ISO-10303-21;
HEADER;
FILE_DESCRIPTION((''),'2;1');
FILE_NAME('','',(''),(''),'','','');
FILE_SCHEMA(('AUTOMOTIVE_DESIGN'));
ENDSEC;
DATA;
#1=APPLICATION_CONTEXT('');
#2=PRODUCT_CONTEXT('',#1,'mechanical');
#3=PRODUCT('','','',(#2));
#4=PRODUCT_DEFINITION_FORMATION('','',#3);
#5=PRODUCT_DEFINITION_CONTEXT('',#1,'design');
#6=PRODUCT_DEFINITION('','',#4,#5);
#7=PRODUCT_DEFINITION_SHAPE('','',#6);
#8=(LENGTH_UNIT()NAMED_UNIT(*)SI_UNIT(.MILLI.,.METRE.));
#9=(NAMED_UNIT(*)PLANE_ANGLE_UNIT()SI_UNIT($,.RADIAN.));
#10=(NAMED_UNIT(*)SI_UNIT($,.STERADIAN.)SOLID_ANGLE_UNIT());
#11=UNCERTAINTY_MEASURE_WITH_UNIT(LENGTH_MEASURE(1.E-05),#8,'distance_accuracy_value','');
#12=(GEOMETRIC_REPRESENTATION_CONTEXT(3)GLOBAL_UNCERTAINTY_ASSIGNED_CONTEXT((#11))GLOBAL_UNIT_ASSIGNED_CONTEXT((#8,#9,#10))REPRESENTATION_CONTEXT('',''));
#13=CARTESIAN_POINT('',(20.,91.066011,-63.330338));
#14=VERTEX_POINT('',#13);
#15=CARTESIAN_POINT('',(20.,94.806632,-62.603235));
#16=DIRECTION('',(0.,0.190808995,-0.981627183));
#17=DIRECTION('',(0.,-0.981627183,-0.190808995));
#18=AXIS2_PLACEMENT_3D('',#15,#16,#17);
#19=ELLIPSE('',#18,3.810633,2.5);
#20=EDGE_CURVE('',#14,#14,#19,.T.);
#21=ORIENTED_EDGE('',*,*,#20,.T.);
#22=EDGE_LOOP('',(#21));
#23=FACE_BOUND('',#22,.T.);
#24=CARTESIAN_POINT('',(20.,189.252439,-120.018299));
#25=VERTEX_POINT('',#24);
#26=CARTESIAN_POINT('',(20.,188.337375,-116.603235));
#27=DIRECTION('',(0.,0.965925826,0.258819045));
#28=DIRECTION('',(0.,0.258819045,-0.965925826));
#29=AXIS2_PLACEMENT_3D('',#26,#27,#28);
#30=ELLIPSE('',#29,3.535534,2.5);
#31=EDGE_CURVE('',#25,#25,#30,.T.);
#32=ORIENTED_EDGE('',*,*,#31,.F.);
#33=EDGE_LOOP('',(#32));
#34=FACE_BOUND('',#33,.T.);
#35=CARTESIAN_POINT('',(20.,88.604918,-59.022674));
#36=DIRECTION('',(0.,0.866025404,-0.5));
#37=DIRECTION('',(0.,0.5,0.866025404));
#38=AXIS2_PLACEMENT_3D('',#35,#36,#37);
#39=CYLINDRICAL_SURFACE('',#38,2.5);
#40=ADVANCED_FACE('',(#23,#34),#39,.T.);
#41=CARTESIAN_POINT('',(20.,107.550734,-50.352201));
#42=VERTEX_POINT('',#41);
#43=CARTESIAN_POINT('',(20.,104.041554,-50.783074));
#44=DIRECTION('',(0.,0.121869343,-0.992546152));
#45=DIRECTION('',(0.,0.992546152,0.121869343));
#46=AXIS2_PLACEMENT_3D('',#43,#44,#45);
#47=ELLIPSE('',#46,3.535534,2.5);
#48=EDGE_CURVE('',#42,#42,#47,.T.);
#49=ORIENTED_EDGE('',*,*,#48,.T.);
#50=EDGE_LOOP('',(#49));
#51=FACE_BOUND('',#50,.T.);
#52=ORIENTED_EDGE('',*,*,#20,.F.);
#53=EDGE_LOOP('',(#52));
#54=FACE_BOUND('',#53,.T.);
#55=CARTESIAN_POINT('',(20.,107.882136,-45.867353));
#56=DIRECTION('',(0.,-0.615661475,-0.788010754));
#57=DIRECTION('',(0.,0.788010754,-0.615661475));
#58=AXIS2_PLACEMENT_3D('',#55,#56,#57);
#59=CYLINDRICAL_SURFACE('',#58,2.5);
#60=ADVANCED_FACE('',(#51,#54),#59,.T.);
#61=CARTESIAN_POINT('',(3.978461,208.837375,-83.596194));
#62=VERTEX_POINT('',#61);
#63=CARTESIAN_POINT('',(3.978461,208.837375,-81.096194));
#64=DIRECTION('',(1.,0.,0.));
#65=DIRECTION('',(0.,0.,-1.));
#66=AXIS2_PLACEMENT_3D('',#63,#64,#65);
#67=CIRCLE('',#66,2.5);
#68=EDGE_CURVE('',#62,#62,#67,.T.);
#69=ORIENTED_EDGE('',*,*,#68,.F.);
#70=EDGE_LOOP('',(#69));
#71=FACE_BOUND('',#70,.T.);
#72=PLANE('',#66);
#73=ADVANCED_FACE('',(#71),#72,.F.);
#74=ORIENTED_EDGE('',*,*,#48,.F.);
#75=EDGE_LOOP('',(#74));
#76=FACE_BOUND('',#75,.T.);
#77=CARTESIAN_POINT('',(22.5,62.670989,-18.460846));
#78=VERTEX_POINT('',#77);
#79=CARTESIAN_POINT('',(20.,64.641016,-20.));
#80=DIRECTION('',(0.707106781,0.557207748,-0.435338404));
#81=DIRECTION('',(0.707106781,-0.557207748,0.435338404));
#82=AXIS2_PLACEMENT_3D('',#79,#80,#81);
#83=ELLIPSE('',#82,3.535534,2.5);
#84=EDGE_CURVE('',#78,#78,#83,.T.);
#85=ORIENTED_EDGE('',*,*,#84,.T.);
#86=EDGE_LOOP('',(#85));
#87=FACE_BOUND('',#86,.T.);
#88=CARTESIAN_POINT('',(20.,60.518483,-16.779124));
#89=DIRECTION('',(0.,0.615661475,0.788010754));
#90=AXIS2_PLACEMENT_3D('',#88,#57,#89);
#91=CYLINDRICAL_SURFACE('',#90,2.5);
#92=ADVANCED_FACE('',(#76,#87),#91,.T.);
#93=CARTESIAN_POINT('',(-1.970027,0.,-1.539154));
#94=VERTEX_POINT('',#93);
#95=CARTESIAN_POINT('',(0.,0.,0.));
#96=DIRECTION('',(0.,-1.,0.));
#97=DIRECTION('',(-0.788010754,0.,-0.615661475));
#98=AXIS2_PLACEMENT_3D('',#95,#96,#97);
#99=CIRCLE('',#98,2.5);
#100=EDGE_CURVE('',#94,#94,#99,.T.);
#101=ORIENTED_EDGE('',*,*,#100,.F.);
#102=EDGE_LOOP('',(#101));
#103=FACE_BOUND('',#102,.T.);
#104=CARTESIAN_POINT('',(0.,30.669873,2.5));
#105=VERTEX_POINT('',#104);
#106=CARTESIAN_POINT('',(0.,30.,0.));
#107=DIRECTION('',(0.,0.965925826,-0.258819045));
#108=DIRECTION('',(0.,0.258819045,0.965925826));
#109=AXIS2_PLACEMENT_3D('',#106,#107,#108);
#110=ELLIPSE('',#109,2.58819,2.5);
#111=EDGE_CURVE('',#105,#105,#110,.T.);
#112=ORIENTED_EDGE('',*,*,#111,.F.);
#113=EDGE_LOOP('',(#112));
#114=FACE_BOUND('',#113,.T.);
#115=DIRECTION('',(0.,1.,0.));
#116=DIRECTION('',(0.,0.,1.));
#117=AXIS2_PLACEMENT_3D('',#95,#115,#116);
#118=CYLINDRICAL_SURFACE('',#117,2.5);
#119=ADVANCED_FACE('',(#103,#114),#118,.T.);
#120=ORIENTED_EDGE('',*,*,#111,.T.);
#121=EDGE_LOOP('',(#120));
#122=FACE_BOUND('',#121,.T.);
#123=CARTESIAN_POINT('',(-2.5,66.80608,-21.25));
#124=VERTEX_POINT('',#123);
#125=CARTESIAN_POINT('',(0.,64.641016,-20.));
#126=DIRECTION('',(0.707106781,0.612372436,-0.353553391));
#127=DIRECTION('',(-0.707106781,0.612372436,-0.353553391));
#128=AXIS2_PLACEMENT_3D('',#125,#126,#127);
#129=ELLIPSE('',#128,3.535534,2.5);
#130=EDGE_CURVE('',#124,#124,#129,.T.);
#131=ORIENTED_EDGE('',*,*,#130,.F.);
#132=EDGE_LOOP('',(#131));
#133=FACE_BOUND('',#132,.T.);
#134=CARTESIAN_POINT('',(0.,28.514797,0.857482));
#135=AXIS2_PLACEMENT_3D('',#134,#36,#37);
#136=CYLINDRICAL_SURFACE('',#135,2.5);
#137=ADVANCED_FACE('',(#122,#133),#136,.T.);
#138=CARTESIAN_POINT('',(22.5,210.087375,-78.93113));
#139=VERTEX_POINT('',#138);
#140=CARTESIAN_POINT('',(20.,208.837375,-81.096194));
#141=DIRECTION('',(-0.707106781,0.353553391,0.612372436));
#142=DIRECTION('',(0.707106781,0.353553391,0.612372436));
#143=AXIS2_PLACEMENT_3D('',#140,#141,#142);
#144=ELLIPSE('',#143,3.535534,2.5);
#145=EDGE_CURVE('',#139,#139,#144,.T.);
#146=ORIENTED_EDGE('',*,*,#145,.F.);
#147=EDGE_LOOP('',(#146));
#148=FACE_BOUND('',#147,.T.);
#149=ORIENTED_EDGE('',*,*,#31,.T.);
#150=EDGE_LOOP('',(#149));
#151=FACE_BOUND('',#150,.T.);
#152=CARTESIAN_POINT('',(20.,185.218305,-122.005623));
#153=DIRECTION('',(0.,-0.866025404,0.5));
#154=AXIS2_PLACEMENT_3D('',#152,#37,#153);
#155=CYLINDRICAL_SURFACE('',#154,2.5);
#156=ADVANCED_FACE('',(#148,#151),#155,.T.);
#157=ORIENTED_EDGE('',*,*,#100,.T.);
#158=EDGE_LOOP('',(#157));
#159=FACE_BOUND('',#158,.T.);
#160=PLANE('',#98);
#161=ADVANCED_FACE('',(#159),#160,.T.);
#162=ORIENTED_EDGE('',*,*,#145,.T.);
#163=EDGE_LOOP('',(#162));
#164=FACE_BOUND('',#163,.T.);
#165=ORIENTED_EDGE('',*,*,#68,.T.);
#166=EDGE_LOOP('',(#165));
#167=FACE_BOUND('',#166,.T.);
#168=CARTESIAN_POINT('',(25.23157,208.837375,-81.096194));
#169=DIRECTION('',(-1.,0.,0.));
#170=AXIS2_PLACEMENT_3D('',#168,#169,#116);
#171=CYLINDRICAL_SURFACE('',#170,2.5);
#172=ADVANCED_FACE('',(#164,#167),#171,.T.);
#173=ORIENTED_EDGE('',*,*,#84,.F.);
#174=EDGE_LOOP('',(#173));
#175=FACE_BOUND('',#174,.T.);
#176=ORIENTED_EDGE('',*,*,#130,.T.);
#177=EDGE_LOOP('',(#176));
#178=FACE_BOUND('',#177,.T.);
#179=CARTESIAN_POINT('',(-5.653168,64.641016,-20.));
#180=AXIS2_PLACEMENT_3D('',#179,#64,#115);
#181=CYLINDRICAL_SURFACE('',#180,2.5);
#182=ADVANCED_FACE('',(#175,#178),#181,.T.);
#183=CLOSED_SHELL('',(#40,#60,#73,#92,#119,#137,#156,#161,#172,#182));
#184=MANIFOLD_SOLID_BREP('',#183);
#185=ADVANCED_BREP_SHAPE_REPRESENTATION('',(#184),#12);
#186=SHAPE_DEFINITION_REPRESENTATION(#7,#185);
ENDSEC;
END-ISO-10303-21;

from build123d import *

# Parameters (mm, degrees)
SWEEP1_PROFILE_R = 2.5


with BuildPart() as part:
    # Sweep1: sweep along a curve in space
    with BuildLine() as sweep1_path:
        Line((0, 0, 0), (0, 30, 0))
        Line((0, 30, 0), (0, 64.641016151, -20))
        Line((0, 64.641016151, -20), (20, 64.641016151, -20))
        Line((20, 64.641016151, -20), (20, 104.041553832, -50.783073766))
        Line((20, 104.041553832, -50.783073766), (20, 94.806631702, -62.60323507))
        Line((20, 94.806631702, -62.60323507), (20, 188.337375311, -116.60323507))
        Line((20, 188.337375311, -116.60323507), (20, 208.837375311, -81.096193515))
        Line((20, 208.837375311, -81.096193515), (3.978461048, 208.837375311, -81.096193515))
    # Sweep1 profile (on start of the path) → Sweep1 (sweep)
    with BuildSketch(Plane.ZX):
        Circle(SWEEP1_PROFILE_R)
    sweep(path=sweep1_path.line, transition=Transition.RIGHT)


solid = part.part
